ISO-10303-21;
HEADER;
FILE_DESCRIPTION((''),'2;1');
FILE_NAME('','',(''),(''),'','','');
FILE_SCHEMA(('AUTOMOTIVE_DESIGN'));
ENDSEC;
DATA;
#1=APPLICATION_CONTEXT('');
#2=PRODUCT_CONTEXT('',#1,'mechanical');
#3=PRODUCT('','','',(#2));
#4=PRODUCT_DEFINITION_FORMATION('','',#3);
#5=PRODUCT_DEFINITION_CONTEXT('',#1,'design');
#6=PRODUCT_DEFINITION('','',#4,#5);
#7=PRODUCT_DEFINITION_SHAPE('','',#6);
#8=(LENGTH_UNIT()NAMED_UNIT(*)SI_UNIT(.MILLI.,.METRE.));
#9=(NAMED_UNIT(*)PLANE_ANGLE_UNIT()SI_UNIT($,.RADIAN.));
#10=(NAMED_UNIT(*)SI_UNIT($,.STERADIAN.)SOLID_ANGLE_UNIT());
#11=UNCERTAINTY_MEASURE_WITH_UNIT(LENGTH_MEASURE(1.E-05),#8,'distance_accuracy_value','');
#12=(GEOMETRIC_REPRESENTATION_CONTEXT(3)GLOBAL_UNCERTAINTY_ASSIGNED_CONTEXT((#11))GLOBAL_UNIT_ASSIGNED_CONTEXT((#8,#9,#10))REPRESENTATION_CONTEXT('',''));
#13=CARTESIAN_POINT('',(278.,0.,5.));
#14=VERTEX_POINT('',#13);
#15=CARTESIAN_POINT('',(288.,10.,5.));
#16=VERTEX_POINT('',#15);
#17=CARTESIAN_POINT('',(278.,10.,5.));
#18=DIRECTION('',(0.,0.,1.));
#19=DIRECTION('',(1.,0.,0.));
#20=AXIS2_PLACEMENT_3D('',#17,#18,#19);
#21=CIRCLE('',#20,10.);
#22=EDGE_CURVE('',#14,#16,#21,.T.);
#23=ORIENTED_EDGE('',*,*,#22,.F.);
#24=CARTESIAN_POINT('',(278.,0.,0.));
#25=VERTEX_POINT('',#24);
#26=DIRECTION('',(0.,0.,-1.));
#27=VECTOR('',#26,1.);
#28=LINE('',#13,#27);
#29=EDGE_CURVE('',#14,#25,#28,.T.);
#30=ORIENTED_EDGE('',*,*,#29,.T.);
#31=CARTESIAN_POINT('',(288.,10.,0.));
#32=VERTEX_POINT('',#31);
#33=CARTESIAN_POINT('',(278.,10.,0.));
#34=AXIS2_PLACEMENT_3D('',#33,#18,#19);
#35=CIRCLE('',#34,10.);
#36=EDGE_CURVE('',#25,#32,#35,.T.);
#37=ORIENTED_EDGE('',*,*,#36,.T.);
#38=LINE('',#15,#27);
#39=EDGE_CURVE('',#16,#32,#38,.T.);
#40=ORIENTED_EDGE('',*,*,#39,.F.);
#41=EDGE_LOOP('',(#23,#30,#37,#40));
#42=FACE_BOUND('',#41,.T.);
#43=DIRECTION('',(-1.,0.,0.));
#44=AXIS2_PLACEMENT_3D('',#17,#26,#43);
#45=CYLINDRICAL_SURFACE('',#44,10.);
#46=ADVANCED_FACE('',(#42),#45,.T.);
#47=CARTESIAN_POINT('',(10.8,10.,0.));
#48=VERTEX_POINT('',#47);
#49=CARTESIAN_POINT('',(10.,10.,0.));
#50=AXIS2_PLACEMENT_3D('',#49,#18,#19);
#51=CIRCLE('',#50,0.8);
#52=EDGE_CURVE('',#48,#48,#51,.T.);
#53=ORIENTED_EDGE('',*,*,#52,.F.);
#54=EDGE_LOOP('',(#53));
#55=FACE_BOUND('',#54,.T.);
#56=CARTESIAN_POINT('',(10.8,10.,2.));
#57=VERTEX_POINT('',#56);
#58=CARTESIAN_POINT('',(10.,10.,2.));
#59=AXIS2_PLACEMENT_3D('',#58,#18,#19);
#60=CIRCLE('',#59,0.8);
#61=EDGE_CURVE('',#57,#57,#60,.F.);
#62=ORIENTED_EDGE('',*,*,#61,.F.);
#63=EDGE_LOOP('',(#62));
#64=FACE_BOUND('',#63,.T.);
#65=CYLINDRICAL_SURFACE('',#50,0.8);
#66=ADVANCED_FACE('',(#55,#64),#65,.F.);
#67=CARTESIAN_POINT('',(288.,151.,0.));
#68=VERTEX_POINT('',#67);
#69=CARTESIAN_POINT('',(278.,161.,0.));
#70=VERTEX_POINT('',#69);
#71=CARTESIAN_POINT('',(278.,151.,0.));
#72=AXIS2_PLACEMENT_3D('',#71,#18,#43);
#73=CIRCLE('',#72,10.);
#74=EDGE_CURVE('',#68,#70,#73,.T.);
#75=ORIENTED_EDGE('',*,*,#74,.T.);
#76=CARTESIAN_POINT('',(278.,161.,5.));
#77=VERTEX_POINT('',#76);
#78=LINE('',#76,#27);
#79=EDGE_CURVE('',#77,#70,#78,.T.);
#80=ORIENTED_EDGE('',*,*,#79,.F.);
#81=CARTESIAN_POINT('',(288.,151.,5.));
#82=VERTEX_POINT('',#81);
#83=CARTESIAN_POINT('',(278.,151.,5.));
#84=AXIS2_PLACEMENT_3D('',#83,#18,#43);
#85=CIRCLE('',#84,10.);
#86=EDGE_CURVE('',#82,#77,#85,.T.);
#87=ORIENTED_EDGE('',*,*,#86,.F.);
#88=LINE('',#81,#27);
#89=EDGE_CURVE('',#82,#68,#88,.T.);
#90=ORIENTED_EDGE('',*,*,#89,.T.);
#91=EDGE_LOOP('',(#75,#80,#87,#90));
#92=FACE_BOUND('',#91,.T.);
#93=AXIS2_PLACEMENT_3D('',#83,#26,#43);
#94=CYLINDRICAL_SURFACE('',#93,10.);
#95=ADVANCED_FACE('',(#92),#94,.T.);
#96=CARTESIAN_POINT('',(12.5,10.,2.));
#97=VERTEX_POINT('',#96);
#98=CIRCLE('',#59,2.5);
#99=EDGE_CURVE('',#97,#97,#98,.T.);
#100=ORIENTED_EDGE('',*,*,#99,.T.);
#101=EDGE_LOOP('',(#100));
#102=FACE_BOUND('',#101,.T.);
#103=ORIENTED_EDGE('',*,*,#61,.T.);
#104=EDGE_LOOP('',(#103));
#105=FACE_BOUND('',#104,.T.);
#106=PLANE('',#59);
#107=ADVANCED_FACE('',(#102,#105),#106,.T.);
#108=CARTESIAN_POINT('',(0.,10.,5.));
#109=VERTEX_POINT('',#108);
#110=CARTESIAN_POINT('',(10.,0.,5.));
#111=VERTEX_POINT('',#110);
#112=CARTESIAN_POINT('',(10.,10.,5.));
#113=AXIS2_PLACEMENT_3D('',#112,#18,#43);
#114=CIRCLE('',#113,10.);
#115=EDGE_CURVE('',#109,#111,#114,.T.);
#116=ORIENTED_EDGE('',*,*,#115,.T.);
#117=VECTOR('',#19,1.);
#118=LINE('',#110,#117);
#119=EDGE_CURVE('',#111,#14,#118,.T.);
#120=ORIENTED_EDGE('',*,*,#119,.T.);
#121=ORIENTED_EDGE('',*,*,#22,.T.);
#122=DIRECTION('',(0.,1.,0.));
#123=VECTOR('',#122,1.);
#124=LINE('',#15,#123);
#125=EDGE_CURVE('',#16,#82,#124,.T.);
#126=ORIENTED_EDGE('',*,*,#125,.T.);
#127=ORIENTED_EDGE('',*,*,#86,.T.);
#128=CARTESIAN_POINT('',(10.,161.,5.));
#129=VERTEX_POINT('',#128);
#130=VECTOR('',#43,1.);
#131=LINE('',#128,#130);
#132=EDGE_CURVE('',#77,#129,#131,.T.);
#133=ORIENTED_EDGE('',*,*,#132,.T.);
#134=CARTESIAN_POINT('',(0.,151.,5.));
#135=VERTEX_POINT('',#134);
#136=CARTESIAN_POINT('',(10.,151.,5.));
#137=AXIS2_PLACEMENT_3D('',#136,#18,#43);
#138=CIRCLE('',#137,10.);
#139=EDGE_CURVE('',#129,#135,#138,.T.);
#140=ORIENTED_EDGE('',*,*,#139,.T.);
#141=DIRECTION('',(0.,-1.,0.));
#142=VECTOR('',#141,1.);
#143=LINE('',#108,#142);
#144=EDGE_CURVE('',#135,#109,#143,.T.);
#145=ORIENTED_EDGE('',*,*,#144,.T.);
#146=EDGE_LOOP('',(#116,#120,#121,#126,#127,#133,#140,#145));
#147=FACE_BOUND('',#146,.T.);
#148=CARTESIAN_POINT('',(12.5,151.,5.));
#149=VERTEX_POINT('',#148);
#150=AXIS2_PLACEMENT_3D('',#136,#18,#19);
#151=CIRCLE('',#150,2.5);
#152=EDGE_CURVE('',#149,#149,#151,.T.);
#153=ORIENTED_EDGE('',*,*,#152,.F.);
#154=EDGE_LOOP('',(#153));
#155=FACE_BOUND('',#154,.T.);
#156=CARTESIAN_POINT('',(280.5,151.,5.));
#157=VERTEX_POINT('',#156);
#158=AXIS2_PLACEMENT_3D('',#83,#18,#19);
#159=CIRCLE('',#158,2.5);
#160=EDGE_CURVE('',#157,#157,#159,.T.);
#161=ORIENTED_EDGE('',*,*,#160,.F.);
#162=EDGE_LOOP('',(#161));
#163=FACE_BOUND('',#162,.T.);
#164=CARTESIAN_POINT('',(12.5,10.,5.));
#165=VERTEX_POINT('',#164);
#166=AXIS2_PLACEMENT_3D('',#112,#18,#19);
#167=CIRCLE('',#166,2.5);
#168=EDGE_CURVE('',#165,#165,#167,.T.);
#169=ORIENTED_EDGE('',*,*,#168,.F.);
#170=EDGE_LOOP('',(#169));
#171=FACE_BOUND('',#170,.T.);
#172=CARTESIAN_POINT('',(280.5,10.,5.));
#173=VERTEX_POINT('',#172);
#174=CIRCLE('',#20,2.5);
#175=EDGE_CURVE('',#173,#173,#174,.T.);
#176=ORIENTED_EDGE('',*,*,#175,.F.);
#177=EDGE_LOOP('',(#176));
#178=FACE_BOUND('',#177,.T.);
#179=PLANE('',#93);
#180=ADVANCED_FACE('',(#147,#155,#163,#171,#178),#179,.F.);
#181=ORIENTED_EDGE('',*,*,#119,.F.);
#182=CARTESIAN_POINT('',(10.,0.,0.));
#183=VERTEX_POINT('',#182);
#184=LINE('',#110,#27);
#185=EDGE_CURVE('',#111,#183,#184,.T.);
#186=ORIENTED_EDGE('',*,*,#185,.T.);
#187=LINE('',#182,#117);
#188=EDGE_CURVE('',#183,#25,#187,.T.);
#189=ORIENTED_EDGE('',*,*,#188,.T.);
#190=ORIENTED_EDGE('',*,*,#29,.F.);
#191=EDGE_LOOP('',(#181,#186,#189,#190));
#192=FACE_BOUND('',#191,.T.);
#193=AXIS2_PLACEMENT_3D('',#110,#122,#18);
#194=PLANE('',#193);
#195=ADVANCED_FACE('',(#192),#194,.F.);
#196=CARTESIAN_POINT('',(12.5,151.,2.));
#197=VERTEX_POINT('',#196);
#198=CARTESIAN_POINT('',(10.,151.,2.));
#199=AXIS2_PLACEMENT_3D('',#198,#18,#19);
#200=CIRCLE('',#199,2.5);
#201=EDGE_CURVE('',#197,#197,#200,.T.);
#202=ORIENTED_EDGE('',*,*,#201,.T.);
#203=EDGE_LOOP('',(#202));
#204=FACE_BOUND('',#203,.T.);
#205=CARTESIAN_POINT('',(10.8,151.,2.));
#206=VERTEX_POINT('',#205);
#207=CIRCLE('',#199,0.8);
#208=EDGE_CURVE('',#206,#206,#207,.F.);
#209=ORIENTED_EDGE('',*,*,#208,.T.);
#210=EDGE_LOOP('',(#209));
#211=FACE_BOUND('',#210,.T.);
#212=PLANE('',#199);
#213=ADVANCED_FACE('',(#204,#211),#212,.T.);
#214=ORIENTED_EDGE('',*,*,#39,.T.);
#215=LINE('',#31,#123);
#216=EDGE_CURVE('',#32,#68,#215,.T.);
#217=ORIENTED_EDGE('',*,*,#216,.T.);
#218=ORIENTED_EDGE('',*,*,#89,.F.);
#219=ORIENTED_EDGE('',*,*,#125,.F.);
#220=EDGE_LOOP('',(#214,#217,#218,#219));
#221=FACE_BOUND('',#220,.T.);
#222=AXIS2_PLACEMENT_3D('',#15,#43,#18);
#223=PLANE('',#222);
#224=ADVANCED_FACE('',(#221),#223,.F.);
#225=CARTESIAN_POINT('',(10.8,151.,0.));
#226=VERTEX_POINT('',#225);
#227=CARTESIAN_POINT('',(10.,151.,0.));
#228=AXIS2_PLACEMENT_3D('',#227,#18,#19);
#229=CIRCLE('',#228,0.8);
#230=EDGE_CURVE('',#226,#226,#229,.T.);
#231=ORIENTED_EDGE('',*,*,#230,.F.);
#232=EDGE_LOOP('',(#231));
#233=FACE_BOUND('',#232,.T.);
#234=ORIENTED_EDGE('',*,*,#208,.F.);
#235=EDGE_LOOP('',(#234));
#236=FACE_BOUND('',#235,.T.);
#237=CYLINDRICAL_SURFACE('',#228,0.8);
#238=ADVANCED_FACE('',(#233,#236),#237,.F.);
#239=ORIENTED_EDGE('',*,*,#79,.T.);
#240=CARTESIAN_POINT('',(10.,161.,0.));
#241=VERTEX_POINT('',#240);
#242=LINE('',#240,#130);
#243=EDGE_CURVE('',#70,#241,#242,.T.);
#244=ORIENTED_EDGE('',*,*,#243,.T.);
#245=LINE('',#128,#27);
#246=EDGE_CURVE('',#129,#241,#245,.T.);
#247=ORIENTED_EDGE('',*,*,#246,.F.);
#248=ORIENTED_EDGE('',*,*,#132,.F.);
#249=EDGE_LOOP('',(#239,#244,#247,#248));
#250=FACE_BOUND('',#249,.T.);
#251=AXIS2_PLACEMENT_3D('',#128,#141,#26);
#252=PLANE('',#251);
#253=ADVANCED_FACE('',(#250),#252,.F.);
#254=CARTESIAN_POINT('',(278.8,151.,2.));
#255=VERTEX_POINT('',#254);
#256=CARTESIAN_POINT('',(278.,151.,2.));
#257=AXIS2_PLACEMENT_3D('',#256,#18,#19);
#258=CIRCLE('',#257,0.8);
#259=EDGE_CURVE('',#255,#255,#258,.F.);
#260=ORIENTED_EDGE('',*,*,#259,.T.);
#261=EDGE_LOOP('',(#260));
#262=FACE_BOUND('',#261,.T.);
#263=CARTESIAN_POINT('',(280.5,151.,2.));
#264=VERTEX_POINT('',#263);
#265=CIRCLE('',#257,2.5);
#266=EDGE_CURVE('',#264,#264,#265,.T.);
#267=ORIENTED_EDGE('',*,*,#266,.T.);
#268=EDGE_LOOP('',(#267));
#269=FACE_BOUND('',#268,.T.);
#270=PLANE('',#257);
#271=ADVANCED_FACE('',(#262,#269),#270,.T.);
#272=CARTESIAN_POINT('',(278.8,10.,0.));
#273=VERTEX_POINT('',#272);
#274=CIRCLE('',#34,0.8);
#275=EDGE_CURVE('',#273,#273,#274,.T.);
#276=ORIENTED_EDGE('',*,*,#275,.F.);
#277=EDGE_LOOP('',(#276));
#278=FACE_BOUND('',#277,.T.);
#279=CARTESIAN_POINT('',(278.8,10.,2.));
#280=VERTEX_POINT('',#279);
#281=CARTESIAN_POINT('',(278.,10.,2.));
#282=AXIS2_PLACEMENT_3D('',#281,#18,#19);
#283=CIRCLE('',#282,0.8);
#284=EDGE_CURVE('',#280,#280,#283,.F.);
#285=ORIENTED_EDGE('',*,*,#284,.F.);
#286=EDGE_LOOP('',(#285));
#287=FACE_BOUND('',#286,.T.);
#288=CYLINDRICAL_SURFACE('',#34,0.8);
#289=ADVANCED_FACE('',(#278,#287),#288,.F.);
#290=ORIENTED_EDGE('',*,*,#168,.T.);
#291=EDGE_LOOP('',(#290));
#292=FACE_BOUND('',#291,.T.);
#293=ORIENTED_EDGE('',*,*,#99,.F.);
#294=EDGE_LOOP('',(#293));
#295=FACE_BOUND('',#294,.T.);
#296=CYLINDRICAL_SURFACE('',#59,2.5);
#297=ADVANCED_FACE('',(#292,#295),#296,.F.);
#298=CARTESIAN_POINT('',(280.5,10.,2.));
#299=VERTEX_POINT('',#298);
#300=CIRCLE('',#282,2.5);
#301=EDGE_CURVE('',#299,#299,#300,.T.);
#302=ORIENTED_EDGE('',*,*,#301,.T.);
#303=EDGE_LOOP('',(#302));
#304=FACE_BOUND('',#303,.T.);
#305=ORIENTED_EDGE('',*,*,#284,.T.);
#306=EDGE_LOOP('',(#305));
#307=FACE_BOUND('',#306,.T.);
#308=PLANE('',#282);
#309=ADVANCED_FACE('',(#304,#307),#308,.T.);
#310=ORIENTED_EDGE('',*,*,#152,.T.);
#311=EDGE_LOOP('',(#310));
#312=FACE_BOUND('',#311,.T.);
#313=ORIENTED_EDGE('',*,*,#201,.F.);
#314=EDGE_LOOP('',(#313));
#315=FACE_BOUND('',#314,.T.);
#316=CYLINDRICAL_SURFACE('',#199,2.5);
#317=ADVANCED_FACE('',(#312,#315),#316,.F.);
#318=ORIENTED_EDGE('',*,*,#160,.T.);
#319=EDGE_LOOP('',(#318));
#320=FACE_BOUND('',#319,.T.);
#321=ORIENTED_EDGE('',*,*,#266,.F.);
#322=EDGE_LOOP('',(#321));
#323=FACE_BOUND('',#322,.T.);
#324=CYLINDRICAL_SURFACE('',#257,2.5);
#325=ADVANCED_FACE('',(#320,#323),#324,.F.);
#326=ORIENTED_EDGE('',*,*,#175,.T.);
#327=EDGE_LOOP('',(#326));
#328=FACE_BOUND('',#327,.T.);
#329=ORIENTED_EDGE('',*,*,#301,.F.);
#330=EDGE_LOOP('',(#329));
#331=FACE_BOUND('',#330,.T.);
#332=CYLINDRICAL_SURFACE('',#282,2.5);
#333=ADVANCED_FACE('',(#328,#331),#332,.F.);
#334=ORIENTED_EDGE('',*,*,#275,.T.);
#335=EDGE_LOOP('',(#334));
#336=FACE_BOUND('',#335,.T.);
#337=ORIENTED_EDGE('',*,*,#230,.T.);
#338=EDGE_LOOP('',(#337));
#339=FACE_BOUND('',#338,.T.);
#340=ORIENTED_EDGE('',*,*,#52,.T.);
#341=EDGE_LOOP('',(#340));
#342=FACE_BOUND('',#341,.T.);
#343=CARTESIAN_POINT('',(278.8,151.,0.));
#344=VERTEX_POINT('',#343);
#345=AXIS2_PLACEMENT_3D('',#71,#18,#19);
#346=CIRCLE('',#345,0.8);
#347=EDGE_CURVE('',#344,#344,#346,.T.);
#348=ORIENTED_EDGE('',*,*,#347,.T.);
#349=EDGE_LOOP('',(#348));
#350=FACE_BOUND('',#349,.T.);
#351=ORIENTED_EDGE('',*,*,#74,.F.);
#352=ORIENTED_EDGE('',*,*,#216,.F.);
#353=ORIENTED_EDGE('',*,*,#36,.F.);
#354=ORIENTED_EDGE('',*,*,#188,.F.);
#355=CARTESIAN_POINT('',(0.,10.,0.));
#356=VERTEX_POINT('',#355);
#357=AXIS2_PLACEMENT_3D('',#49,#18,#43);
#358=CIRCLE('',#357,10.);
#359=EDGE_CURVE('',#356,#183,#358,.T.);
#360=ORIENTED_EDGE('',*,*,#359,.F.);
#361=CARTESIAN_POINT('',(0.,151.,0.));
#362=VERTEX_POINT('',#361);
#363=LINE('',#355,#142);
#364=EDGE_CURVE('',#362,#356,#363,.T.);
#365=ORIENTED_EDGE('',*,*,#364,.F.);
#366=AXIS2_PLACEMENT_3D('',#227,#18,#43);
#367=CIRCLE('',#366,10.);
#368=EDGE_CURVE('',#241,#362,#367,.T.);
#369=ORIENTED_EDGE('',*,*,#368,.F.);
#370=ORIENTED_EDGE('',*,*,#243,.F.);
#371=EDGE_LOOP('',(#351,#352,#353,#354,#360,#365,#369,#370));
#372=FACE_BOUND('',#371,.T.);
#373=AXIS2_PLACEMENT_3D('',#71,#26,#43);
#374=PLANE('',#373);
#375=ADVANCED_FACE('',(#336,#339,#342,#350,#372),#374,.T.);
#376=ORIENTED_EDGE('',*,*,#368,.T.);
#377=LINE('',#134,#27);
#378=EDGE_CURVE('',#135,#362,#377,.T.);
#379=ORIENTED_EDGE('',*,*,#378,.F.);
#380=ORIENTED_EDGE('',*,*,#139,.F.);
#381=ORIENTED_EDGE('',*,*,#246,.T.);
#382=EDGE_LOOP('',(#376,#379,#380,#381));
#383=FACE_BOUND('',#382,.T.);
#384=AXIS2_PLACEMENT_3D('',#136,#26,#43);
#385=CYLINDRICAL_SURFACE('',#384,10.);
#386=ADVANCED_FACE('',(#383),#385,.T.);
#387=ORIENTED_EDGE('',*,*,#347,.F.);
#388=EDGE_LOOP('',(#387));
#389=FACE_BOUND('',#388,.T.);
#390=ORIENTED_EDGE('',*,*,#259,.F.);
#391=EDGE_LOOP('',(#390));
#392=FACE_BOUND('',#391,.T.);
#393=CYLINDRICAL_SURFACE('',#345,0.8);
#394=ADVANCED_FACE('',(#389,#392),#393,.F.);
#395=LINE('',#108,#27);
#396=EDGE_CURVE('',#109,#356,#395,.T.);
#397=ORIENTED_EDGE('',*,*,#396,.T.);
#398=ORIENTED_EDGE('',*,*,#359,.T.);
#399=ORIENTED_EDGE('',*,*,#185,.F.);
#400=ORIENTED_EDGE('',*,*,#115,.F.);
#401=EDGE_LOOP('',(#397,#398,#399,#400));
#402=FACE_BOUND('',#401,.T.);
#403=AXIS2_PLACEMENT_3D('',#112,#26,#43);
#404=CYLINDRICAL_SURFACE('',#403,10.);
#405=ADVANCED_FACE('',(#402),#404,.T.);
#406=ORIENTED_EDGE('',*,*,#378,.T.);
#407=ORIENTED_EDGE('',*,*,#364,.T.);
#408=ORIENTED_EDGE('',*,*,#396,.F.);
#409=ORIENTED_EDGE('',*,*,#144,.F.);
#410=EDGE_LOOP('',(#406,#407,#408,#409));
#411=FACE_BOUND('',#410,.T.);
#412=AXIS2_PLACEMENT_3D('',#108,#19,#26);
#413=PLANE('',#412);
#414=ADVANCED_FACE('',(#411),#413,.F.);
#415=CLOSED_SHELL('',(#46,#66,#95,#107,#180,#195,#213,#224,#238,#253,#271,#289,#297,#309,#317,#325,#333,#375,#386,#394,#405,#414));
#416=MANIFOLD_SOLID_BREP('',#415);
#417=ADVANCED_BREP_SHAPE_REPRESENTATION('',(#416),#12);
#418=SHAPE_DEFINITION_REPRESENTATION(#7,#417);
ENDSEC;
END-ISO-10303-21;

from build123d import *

# Parameters (mm, degrees)
BOSS_EXTRUDE1_DEPTH = 5
SKETCH2_R           = 0.8
CUT_EXTRUDE1_DEPTH  = 6
SKETCH3_R           = 2.5
CUT_EXTRUDE2_DEPTH  = 3


with BuildPart() as part:
    # Sketch1 → Boss-Extrude1 (new body)
    with BuildSketch(Plane.XY):
        with BuildLine():
            Line((10, 0), (278, 0))
            ThreePointArc((278, 0), (285.071067812, 2.928932188), (288, 10))
            Line((288, 10), (288, 151))
            ThreePointArc((288, 151), (285.071067812, 158.071067812), (278, 161))
            Line((278, 161), (10, 161))
            ThreePointArc((10, 161), (2.928932188, 158.071067812), (0, 151))
            Line((0, 151), (0, 10))
            ThreePointArc((0, 10), (2.928932188, 2.928932188), (10, 0))
        make_face()
    extrude(amount=BOSS_EXTRUDE1_DEPTH)

    # Sketch2 → Cut-Extrude1 (cut, through all)
    with BuildSketch(Plane.XY.offset(5)):
        with Locations((10, 151)):
            Circle(SKETCH2_R)
        with Locations((278, 151)):
            Circle(SKETCH2_R)
        with Locations((10, 10)):
            Circle(SKETCH2_R)
        with Locations((278, 10)):
            Circle(SKETCH2_R)
    extrude(amount=-CUT_EXTRUDE1_DEPTH, mode=Mode.SUBTRACT)

    # Sketch3 → Cut-Extrude2 (cut)
    with BuildSketch(Plane.XY.offset(5)):
        with Locations((10, 151)):
            Circle(SKETCH3_R)
        with Locations((10, 10)):
            Circle(SKETCH3_R)
        with Locations((278, 10)):
            Circle(SKETCH3_R)
        with Locations((278, 151)):
            Circle(SKETCH3_R)
    extrude(amount=-CUT_EXTRUDE2_DEPTH, mode=Mode.SUBTRACT)


solid = part.part
